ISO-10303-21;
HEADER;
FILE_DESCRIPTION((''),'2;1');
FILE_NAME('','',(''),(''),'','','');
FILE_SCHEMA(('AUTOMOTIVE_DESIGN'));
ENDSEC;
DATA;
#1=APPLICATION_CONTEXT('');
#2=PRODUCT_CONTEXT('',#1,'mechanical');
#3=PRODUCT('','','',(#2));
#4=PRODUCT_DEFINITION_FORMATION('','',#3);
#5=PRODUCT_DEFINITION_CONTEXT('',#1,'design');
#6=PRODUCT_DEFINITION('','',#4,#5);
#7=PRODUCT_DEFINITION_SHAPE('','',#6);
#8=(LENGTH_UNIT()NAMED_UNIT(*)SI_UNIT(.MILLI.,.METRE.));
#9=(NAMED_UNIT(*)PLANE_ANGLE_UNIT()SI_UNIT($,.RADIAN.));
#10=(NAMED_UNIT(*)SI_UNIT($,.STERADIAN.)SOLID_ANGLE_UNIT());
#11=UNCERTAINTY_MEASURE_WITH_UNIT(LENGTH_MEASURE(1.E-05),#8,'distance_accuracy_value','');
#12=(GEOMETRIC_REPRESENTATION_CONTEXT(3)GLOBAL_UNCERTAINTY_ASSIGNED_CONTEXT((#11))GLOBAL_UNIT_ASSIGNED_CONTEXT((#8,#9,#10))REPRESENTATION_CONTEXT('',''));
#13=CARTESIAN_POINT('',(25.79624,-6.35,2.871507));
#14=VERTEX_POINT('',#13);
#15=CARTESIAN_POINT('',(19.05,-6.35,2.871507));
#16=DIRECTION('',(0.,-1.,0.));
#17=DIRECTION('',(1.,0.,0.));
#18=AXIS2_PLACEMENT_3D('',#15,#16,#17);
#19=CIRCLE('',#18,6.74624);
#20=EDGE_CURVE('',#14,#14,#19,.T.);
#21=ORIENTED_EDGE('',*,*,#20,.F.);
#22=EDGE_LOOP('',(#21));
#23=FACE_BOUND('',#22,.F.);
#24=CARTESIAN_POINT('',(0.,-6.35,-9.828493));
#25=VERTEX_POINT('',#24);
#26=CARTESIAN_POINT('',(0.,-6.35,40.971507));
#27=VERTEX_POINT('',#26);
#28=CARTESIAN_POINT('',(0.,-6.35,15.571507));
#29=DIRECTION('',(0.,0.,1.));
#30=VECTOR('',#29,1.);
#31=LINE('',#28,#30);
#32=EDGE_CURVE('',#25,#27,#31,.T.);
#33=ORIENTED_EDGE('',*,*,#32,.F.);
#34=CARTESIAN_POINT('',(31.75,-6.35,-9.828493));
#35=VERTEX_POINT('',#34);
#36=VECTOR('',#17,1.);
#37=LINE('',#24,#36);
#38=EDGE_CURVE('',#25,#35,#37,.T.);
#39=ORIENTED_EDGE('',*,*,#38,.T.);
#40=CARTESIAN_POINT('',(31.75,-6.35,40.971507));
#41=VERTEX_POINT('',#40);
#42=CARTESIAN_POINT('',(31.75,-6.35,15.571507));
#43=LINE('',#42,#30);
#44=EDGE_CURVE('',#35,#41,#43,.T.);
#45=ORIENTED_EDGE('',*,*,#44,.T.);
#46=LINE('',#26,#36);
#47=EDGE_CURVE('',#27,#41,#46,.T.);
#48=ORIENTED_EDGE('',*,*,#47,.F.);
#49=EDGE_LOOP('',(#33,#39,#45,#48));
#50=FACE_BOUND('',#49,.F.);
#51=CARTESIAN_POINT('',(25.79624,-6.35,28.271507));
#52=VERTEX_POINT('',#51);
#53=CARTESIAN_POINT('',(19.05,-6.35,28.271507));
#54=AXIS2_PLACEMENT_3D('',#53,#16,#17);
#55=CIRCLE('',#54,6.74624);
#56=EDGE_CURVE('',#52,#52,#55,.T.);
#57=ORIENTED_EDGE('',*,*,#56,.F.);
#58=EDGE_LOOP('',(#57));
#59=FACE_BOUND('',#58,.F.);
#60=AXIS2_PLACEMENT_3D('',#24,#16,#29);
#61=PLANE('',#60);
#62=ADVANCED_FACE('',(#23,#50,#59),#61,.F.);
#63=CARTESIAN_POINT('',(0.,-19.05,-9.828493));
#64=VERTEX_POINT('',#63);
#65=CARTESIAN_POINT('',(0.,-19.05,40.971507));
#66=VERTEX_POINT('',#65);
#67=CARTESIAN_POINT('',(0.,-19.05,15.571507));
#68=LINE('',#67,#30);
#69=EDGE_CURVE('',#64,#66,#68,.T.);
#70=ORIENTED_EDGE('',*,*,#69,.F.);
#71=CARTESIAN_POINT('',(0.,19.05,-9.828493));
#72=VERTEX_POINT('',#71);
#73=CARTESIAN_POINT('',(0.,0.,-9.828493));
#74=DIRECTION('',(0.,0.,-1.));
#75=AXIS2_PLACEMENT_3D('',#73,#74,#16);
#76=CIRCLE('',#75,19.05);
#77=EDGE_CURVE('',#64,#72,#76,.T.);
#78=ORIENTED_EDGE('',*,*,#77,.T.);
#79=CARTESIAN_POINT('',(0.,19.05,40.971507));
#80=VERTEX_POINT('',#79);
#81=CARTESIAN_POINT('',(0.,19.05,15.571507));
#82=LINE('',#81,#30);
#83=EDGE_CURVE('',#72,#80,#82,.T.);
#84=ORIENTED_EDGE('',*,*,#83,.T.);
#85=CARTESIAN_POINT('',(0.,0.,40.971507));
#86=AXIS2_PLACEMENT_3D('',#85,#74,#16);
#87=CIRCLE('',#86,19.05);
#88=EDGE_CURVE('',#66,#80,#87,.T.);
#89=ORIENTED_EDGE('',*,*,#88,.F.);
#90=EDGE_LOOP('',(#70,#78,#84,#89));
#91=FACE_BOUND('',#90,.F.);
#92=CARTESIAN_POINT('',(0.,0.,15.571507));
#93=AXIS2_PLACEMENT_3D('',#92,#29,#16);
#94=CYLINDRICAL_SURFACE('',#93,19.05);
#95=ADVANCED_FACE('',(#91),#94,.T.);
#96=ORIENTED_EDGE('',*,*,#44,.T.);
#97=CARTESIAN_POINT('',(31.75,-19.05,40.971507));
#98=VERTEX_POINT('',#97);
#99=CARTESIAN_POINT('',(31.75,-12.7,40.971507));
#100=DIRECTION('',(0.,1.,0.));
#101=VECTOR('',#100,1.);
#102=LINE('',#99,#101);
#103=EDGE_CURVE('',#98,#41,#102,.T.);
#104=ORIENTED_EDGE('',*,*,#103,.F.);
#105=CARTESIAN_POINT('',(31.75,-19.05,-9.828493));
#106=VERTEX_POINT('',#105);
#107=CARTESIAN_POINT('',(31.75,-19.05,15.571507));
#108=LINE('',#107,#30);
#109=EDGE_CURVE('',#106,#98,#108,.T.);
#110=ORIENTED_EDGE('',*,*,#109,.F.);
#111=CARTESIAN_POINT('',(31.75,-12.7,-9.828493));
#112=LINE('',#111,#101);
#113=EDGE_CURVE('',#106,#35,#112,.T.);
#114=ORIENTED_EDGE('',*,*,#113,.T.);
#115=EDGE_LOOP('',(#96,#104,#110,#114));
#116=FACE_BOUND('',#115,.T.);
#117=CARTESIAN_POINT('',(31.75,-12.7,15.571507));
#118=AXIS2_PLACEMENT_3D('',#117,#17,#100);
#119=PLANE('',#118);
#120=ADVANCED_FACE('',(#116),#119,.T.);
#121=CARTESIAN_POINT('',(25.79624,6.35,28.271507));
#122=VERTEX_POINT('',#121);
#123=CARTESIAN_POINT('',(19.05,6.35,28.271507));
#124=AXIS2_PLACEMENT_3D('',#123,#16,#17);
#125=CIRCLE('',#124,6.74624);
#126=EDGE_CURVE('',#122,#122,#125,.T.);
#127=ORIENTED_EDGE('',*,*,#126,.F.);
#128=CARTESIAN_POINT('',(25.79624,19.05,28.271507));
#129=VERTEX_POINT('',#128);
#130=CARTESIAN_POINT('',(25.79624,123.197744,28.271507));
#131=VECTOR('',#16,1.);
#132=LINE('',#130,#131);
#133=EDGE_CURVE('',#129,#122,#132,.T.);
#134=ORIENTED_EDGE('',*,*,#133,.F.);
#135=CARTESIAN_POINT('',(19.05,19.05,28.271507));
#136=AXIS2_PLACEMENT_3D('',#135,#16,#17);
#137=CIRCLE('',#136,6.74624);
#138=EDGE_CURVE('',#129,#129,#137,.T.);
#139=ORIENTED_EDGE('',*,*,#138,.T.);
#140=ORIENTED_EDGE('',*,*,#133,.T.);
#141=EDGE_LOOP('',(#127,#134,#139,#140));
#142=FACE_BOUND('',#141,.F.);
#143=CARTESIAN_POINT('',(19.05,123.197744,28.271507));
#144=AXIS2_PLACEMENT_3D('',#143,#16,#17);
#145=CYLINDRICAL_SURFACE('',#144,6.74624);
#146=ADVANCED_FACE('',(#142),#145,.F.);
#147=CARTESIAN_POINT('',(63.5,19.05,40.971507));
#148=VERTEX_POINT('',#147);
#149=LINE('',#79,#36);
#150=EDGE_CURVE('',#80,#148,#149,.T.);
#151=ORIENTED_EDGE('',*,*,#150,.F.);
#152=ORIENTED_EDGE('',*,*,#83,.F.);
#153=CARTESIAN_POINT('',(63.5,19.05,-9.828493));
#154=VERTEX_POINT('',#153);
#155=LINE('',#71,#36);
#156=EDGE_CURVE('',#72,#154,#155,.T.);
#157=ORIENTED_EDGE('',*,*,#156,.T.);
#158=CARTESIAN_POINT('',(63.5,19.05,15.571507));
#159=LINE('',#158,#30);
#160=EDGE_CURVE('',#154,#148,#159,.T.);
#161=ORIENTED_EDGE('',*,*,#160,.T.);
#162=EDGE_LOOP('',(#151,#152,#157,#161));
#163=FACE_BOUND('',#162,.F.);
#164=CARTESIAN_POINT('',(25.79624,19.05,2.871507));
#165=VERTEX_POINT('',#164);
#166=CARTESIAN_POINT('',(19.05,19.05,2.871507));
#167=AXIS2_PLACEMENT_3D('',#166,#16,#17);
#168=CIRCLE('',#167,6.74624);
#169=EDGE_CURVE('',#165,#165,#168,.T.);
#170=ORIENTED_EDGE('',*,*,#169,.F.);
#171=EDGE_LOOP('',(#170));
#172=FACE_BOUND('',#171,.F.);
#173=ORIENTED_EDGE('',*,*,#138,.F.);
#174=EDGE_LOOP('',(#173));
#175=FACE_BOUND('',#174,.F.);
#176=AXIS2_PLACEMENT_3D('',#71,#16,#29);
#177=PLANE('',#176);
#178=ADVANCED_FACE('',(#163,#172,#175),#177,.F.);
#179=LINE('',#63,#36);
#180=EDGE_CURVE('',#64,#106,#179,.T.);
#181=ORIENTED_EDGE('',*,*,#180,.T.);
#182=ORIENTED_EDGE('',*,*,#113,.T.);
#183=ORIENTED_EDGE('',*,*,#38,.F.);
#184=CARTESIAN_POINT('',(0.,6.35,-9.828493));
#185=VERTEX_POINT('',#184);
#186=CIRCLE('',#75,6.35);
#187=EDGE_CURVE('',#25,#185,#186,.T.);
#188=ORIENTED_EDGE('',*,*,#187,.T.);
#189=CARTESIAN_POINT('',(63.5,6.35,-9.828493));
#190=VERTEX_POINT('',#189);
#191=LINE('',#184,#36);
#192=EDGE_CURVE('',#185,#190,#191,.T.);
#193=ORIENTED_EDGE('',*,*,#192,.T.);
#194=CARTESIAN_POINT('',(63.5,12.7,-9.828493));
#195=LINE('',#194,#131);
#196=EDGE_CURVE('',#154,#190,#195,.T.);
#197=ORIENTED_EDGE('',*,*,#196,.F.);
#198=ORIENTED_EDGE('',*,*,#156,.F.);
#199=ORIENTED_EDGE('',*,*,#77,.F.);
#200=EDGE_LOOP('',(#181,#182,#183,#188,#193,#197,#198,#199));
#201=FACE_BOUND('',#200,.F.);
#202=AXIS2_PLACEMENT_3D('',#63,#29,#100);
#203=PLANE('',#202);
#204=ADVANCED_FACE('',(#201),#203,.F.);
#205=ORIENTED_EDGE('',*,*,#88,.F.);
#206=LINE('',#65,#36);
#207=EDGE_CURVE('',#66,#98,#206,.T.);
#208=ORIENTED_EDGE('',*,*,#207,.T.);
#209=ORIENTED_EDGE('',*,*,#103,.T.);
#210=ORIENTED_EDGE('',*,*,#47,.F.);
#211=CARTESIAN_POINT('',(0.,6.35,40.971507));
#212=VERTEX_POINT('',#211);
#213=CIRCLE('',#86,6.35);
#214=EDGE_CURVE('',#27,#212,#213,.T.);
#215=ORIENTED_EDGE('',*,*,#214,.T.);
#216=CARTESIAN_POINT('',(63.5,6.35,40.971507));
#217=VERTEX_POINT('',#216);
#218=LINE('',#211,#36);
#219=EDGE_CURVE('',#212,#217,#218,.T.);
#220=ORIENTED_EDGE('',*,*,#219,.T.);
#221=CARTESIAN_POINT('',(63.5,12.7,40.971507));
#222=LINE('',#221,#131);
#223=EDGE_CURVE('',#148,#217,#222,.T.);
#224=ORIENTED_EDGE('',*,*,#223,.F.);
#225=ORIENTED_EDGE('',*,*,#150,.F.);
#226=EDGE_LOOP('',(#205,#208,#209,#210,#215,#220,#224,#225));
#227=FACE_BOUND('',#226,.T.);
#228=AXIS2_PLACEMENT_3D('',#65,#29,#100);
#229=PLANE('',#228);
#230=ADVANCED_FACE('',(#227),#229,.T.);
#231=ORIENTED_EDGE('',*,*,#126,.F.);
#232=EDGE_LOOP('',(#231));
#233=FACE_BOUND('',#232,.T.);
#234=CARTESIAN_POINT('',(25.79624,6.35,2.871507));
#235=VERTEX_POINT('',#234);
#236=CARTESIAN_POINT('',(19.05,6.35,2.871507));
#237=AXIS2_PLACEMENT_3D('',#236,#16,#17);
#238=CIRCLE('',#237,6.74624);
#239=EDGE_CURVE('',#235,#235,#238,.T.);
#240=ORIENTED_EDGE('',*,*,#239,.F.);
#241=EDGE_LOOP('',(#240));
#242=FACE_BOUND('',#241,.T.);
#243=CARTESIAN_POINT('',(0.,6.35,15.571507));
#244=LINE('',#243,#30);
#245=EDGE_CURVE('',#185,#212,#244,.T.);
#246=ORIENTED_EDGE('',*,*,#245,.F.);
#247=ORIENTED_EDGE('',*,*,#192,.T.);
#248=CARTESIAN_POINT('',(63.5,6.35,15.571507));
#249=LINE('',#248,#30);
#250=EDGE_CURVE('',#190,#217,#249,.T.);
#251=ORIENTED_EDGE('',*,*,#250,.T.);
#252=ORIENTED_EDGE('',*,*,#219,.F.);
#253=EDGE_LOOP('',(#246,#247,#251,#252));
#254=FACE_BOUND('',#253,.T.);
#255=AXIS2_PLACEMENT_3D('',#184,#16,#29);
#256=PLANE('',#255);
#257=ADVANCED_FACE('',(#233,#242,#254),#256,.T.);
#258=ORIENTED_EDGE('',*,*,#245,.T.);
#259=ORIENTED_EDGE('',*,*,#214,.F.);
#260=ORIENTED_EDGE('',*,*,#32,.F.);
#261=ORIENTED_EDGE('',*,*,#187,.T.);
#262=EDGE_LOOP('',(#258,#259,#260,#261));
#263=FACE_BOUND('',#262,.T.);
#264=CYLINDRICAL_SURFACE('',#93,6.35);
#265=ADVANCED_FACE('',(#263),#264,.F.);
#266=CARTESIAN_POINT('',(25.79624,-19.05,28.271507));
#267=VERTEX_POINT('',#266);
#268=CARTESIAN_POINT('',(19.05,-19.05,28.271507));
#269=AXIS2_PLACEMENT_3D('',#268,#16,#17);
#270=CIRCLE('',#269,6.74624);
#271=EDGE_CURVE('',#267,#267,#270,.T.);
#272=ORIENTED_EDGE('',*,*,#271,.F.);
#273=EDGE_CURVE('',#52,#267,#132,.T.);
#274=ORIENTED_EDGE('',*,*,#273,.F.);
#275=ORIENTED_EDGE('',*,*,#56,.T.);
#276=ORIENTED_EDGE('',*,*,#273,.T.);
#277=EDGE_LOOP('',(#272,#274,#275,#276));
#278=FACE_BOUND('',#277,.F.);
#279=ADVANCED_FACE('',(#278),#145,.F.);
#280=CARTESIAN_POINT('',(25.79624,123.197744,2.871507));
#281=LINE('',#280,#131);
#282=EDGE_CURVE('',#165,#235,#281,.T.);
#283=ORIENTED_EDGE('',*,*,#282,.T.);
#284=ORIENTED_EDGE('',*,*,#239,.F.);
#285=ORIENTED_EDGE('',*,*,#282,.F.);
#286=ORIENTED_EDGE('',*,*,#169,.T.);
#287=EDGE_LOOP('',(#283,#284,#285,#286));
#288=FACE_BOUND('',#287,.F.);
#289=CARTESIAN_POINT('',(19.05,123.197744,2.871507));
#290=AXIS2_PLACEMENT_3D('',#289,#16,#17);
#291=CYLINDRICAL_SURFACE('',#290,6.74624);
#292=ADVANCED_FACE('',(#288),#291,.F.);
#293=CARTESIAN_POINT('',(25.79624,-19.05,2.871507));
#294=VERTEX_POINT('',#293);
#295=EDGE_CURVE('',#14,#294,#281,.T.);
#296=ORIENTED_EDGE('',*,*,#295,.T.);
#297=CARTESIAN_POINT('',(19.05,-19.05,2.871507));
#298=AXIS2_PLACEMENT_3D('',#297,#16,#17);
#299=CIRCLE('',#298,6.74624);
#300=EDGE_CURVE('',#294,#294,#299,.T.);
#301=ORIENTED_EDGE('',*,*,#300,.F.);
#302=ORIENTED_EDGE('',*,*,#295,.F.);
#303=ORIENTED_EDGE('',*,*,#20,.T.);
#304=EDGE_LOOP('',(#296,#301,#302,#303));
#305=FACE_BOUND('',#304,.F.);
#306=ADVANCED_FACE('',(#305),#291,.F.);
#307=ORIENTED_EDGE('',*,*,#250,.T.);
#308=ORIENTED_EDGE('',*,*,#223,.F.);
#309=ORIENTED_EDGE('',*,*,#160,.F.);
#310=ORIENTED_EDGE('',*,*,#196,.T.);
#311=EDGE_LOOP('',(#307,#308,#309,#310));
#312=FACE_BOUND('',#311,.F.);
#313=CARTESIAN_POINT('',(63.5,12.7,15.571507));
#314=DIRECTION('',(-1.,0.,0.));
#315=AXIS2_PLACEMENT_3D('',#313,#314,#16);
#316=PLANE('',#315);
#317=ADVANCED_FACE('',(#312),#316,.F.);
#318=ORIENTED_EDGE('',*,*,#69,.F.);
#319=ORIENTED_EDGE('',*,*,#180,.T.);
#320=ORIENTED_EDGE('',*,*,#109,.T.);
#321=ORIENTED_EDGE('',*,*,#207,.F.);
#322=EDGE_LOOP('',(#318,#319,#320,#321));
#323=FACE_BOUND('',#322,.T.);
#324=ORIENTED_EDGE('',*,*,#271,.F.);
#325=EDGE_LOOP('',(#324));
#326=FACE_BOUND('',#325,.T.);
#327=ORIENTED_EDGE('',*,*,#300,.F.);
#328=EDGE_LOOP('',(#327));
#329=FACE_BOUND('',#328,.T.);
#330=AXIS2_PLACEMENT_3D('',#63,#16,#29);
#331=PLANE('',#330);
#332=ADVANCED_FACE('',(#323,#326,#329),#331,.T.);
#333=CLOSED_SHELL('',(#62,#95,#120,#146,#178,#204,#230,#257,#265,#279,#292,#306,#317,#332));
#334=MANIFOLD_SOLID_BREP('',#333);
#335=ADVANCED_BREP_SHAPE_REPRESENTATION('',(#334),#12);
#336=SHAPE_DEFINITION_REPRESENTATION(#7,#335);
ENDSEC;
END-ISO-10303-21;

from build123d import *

# Parameters (mm, degrees)
F0_W          = 12.7
F0_H          = 50.8
F1_ANGLE_BACK = 90
F1_ANGLE      = 180
F2_DEPTH      = 63.5
F3_DEPTH      = 31.75
F5_D          = 13.49248


with BuildPart() as f1:
    # F0 (on Front) → F1 (revolve)
    with BuildSketch(Plane.XZ, mode=Mode.PRIVATE) as f1_sk:
        with Locations((-12.7, 15.5715065134)):
            Rectangle(F0_W, F0_H)
    revolve(f1_sk.sketch.rotate(Axis((0, 0, 15.5715065134), (0, 0, -1)), -F1_ANGLE_BACK), axis=Axis((0, 0, 15.5715065134), (0, 0, -1)), revolution_arc=F1_ANGLE)

    # F2 (add): a face of the model
    f2_faces = [f1.faces().sort_by_distance(p)[0] for p in [
        (0, 12.7, 15.5715065134),
    ]]
    extrude(f2_faces, amount=F2_DEPTH)

    # F3 (add): a face of the model
    f3_faces = [f1.faces().sort_by_distance(p)[0] for p in [
        (0, -12.7, 15.5715065134),
    ]]
    extrude(f3_faces, amount=F3_DEPTH)

    # F5 (through all)
    with Locations(Plane(origin=(0, 19.05, 0), x_dir=(-1, 0, 0), z_dir=(0, 1, 0))):
        with Locations((-19.05, 2.8715065134), (-19.05, 28.2715065134)):
            Hole(F5_D / 2)


solid = f1.part
